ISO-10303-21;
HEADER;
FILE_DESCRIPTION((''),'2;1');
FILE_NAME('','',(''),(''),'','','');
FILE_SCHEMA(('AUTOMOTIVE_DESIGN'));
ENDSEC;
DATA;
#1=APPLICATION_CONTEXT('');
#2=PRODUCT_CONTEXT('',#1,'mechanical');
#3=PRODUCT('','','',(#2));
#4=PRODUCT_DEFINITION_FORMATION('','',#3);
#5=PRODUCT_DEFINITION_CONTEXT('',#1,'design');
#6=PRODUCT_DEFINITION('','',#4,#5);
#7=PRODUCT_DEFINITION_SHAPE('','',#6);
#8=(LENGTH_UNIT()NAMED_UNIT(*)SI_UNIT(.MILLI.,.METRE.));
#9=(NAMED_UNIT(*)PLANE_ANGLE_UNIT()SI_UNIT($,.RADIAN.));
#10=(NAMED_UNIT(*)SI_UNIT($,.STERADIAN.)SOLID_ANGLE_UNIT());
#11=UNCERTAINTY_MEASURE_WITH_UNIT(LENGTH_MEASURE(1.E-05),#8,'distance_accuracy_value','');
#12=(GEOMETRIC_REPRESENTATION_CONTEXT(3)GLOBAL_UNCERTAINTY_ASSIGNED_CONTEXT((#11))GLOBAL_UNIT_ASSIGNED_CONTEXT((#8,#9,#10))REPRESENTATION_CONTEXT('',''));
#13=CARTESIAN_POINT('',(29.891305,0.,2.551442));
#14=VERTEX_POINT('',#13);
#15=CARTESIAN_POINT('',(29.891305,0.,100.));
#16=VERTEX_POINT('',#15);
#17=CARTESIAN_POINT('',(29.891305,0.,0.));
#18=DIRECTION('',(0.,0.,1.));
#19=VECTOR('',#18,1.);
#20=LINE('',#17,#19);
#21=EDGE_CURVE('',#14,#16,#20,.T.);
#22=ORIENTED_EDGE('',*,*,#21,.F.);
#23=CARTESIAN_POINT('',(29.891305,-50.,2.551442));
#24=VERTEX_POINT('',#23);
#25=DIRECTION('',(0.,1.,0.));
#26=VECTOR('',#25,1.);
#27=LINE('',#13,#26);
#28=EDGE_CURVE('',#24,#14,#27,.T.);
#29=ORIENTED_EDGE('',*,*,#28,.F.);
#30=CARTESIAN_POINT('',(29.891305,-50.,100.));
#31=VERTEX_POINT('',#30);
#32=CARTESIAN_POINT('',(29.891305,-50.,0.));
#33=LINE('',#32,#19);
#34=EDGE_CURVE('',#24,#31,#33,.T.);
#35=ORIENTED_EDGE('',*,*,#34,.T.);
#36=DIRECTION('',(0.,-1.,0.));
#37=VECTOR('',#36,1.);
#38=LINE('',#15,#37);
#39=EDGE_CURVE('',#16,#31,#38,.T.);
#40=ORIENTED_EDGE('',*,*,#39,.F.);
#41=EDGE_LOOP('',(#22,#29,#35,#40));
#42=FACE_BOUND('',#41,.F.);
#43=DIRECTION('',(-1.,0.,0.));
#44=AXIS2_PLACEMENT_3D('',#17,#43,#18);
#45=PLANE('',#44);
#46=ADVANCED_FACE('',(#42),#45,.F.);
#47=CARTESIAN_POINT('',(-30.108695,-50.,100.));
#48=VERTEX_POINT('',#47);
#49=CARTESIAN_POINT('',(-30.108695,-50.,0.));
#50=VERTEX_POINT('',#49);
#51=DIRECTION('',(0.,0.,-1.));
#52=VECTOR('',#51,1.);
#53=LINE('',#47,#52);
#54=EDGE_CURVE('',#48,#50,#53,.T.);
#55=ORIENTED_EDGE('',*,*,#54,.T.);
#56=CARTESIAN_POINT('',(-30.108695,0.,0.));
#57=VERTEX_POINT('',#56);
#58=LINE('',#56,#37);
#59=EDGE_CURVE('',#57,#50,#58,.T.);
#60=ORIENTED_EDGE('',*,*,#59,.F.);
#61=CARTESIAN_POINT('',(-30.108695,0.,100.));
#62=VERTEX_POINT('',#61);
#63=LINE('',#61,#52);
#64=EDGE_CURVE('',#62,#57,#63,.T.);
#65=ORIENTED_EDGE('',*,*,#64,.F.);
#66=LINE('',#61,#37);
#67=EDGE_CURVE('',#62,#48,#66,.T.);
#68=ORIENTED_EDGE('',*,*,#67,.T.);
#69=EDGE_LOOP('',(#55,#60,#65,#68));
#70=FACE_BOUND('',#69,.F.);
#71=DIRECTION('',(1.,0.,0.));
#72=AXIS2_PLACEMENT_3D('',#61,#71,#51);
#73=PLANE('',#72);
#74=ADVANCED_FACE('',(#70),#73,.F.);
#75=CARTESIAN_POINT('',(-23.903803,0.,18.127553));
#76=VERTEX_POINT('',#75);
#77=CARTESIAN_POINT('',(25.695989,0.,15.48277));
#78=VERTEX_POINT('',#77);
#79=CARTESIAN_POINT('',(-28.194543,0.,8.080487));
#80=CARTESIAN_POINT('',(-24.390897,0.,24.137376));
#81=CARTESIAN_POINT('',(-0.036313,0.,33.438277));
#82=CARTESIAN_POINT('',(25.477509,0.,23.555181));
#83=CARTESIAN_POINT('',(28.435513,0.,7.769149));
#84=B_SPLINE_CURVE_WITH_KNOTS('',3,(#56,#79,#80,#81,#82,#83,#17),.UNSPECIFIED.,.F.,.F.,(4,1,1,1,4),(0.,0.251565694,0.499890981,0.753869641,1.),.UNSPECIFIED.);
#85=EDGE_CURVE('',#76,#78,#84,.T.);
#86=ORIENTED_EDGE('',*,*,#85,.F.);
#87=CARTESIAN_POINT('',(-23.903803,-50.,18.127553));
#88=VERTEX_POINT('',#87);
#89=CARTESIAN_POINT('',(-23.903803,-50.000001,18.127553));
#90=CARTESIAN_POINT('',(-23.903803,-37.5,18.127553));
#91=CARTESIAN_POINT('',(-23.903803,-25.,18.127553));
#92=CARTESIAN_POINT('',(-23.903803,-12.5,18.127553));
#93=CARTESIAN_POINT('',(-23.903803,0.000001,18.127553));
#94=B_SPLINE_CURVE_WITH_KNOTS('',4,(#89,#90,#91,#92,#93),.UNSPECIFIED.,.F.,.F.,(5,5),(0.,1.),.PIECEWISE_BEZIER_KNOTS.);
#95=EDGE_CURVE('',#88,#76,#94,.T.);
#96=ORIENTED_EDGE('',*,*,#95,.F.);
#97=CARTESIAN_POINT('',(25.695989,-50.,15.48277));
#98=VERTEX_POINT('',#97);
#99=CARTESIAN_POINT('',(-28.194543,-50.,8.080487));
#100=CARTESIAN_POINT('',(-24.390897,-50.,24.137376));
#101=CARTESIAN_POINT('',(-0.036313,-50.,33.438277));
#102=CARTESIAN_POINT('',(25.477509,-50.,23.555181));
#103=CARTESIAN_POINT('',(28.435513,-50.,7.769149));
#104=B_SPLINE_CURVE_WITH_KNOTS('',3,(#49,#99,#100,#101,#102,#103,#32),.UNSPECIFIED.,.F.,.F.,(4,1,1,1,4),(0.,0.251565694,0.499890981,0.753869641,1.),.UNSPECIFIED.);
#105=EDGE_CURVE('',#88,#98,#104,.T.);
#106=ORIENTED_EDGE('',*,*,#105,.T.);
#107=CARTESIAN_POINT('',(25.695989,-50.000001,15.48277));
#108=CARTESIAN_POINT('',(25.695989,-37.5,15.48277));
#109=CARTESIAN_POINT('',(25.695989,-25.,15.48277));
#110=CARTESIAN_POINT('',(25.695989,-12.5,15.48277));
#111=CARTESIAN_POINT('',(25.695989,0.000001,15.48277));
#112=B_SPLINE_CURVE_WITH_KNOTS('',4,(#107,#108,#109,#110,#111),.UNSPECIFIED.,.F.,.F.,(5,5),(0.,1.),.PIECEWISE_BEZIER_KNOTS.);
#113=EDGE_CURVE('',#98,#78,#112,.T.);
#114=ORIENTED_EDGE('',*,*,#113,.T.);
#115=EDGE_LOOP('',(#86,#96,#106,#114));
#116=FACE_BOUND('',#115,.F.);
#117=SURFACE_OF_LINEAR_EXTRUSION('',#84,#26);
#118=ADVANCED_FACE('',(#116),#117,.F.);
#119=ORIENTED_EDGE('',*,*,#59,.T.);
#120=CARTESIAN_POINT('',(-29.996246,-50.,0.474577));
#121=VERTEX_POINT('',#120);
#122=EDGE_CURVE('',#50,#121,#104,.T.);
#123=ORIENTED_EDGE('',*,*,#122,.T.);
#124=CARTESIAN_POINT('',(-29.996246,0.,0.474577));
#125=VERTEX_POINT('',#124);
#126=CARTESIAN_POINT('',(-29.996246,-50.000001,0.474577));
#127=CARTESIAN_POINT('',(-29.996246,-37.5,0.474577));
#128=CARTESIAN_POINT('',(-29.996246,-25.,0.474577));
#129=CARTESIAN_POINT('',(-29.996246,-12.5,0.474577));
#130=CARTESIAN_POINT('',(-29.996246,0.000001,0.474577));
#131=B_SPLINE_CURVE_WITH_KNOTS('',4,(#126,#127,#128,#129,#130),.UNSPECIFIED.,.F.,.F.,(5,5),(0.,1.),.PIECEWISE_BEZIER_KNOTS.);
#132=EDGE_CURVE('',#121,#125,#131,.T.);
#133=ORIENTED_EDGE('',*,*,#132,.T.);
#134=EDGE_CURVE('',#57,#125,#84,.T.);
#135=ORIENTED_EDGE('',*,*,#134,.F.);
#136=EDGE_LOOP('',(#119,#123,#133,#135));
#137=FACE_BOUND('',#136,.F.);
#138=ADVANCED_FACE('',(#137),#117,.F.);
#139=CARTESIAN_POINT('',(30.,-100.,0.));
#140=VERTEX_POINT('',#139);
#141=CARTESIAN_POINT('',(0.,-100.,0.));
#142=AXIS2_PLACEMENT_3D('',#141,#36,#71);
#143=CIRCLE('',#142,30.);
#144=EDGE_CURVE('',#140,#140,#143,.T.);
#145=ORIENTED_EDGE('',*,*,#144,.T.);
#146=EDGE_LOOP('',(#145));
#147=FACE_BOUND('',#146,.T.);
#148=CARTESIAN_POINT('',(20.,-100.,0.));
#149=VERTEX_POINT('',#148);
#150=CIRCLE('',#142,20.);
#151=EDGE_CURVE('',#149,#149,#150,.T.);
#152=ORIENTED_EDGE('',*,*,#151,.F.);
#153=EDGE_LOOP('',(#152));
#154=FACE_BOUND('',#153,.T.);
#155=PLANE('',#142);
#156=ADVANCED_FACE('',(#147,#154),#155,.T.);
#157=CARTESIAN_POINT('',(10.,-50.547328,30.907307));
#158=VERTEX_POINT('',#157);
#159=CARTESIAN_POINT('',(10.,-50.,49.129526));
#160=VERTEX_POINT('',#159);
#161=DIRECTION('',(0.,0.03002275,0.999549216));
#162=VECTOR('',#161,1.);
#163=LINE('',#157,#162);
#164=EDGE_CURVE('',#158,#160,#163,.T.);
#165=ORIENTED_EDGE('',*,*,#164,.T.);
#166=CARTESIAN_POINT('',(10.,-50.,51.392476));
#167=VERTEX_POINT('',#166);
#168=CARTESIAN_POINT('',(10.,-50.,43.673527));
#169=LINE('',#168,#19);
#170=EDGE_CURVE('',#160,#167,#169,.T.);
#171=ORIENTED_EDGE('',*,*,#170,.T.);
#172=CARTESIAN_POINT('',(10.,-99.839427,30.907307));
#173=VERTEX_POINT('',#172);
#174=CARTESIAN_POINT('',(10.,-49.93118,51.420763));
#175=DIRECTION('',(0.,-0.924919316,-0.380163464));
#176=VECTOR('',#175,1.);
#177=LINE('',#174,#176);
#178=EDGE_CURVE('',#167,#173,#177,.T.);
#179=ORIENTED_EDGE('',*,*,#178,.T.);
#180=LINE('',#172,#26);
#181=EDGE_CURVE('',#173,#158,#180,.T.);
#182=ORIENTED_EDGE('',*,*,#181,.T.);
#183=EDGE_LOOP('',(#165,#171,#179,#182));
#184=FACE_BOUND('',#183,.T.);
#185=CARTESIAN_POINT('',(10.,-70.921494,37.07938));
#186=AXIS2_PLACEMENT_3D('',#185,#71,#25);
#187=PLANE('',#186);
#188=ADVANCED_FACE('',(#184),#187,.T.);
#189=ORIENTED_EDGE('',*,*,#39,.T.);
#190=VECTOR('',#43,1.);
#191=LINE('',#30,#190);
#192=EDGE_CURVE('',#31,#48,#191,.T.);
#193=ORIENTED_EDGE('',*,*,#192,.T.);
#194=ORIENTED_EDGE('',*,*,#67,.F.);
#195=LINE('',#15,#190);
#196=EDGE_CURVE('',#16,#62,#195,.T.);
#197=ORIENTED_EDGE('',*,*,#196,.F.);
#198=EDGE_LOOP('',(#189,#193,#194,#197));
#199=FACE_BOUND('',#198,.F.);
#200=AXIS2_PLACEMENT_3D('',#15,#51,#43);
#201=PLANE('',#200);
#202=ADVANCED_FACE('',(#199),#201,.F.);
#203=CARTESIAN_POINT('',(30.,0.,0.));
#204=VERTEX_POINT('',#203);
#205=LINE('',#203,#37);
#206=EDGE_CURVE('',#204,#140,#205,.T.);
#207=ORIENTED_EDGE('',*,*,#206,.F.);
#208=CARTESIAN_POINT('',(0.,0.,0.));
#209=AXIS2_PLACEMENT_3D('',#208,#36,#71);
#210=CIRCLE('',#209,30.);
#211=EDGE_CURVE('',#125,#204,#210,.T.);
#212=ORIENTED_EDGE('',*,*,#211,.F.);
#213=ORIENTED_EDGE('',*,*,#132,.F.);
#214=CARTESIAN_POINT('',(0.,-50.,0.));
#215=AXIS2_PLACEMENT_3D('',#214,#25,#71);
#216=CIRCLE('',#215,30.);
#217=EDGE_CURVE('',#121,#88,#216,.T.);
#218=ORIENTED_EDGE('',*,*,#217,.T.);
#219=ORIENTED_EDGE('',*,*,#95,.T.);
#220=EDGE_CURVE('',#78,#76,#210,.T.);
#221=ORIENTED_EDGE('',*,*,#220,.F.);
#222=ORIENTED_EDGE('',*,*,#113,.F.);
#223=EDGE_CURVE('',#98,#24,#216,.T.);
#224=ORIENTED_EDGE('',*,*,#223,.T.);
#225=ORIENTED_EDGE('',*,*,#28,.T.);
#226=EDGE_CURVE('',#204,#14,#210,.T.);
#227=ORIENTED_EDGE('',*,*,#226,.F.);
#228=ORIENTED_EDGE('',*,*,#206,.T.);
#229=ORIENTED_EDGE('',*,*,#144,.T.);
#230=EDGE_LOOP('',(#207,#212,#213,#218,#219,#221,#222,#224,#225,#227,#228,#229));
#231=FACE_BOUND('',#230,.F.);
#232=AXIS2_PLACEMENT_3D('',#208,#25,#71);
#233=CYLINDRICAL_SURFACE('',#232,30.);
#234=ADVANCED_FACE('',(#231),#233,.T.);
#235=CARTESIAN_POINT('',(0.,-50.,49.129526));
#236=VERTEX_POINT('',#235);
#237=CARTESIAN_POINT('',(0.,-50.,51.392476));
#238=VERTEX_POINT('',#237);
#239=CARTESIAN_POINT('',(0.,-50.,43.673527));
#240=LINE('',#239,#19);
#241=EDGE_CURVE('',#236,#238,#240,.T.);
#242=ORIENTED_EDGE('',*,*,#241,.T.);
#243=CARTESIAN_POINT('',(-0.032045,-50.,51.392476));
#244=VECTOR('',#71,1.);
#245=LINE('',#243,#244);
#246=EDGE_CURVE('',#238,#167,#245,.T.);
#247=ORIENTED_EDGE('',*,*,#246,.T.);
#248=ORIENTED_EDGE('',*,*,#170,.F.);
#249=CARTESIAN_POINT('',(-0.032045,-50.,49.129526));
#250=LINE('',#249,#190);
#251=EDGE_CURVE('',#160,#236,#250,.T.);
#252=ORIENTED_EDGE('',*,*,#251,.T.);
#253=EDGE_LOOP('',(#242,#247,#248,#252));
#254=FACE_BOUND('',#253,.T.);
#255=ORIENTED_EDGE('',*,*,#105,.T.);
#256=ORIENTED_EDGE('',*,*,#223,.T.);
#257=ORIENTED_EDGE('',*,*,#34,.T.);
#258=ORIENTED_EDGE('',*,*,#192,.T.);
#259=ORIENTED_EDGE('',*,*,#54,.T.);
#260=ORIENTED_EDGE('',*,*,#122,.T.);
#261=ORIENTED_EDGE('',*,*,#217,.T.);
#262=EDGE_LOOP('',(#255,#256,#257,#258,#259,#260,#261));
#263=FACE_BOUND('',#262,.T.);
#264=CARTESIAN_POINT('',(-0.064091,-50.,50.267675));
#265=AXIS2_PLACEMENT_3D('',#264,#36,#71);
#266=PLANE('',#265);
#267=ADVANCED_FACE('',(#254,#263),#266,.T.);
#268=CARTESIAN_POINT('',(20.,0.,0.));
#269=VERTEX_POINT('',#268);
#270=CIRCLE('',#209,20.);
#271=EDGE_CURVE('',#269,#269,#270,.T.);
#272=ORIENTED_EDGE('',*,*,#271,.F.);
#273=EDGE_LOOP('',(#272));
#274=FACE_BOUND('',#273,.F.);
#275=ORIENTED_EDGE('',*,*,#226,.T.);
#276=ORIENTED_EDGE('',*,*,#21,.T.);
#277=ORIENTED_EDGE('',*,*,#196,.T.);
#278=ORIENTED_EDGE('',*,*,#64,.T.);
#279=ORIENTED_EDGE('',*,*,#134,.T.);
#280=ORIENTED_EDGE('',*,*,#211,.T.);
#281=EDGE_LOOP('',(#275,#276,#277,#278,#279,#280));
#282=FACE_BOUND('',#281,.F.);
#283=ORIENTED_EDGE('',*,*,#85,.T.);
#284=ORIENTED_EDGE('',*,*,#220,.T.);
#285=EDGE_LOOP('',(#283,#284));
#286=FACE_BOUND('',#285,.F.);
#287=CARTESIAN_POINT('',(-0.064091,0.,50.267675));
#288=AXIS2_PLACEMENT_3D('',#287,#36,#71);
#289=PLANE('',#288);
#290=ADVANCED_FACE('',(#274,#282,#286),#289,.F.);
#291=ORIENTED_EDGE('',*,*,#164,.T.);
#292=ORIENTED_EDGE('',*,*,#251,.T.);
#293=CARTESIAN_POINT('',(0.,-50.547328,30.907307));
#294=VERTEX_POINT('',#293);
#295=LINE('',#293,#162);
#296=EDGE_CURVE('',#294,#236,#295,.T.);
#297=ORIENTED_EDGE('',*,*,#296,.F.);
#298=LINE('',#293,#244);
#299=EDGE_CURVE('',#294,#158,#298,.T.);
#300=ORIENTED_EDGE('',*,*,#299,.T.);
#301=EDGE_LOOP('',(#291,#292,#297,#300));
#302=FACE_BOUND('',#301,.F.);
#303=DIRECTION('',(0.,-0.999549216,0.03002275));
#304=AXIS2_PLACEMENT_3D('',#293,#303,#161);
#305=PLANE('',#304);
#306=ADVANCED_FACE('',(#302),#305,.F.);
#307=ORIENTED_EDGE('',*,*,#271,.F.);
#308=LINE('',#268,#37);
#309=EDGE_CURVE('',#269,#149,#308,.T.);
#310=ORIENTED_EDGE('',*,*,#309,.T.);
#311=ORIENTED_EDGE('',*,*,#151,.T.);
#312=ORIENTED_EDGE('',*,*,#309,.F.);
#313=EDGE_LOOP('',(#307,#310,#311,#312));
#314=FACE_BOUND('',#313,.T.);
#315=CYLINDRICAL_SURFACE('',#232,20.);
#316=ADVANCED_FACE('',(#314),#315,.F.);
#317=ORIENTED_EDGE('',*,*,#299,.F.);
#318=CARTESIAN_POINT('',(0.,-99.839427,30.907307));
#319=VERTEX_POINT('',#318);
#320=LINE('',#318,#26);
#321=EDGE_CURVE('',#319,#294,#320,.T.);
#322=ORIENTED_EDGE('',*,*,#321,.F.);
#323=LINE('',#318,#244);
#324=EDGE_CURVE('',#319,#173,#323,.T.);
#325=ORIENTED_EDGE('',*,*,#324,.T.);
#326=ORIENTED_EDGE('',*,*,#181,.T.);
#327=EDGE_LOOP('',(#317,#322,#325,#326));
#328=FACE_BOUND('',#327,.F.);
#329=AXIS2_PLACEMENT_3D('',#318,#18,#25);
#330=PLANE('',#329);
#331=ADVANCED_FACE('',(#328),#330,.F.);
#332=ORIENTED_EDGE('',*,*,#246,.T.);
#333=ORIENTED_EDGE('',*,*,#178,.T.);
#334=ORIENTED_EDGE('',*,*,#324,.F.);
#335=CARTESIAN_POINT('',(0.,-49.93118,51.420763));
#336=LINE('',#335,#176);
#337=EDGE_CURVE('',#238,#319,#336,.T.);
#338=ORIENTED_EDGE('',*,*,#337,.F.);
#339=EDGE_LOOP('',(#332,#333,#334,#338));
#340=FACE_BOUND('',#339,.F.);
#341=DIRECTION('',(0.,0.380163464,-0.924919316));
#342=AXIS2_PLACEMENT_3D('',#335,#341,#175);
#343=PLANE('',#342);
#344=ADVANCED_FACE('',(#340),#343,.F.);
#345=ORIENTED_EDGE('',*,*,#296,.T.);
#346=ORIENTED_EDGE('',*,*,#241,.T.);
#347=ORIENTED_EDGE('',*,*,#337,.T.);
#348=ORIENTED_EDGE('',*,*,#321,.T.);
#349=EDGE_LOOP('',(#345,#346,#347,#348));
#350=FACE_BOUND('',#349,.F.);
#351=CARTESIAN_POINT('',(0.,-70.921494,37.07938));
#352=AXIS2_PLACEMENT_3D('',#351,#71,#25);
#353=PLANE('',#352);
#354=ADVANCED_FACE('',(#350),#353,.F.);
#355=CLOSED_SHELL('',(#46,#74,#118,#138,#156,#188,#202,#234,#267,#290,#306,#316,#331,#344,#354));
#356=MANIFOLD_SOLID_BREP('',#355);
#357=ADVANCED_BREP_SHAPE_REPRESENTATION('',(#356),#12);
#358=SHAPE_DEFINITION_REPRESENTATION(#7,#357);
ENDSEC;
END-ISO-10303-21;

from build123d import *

# Parameters (mm, degrees)
F0_R     = 30
F0_R_2   = 20
F1_DEPTH = 100
F3_DEPTH = 50
F5_DEPTH = 10


with BuildPart() as f1:
    # F0 (on Front) → F1 (new body)
    with BuildSketch(Plane.XZ):
        Circle(F0_R)
        Circle(F0_R_2, mode=Mode.SUBTRACT)
    extrude(amount=F1_DEPTH)

    # F2 (on Front) → F3 (join)
    with BuildSketch(Plane.XZ):
        with BuildLine():
            Line((-30.1086945207, 100), (-30.1086945207, 0))
            add(Edge.make_bspline(
                [(-30.1086945207, 0), (-28.1945433239, 8.0804869026), (-24.3908970229, 24.1373763311), (-0.0363134271, 33.4382771528), (25.4775085898, 23.5551805153), (28.4355133491, 7.7691491651), (29.8913054793, 0)],
                knots=[0, 0, 0, 0, 0.2515656937, 0.4998909813, 0.7538696409, 1, 1, 1, 1], degree=3))
            Line((29.8913054793, 0), (29.8913054793, 100))
            Line((29.8913054793, 100), (-30.1086945207, 100))
        make_face()
    extrude(amount=F3_DEPTH)

    # F4 (on Right) → F5 (join)
    with BuildSketch(Plane.YZ):
        Polygon((-99.8394265771, 30.9073068202), (-50.5473278463, 30.9073068202), (-49.9311797321, 51.420763135), align=None)
    extrude(amount=F5_DEPTH)


solid = f1.part
